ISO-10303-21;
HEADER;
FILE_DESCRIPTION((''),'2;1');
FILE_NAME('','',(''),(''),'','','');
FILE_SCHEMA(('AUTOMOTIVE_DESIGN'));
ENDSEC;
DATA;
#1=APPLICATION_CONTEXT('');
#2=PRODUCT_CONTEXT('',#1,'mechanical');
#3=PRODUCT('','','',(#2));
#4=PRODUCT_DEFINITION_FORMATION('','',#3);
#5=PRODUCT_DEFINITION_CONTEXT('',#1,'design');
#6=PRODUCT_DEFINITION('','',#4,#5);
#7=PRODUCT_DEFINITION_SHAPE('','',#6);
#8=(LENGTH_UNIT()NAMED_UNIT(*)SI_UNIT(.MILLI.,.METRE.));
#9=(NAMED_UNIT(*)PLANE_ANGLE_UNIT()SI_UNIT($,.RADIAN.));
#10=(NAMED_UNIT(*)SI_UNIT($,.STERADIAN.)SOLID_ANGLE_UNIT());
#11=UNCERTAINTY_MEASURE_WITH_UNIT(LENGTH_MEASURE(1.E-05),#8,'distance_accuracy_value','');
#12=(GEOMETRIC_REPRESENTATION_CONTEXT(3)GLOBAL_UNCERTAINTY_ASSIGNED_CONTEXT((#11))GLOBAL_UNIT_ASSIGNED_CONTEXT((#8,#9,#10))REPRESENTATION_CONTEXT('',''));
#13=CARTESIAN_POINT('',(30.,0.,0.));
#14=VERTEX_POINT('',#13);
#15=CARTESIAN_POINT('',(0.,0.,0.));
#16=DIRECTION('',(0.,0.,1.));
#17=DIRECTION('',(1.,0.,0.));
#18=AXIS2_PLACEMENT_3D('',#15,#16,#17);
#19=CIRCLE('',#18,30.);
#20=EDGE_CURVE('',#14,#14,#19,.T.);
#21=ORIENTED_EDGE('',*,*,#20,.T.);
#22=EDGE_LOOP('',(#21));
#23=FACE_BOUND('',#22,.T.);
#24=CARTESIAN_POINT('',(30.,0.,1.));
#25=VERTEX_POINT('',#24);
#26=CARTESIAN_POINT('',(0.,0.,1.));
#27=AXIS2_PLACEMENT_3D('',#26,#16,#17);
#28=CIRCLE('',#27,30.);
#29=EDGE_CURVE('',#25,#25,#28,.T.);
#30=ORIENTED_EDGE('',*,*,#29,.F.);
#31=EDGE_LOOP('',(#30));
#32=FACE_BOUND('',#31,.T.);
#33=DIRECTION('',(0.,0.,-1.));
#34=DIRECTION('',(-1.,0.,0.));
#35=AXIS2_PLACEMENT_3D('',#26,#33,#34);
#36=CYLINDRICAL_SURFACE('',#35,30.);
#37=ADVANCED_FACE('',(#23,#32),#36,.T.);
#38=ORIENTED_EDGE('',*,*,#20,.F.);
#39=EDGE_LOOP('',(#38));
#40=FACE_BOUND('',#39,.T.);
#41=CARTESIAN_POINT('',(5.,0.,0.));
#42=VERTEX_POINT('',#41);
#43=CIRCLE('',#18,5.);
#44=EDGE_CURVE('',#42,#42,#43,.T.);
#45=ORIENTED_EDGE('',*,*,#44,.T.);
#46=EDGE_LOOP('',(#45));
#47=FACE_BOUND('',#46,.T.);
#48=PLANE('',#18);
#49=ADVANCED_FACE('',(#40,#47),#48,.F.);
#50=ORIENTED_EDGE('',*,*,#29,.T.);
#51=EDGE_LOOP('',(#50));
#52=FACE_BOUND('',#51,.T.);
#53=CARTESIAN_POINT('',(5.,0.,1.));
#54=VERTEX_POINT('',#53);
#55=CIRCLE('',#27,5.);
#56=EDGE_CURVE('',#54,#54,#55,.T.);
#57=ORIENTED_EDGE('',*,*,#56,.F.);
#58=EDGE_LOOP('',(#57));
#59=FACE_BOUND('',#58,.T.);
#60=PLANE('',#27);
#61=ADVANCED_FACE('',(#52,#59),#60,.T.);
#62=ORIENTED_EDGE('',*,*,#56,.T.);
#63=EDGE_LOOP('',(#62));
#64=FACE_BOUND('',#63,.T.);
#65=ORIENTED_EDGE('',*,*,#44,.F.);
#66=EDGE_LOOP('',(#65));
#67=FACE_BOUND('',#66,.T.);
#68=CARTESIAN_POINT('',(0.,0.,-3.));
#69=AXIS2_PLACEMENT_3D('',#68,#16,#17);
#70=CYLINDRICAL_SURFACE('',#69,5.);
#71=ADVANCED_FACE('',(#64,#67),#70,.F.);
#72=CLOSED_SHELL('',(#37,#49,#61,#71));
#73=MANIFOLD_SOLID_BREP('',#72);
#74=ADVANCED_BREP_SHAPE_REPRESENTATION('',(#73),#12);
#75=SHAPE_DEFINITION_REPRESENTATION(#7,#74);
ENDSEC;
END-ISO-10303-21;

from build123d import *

# Parameters (mm, degrees)
SKETCH1_R           = 30
BOSS_EXTRUDE1_DEPTH = 1
SKETCH2_R           = 5
CUT_EXTRUDE1_DEPTH  = 4


with BuildPart() as part:
    # Sketch1 → Boss-Extrude1 (new body)
    with BuildSketch(Plane.XY):
        Circle(SKETCH1_R)
    extrude(amount=BOSS_EXTRUDE1_DEPTH)

    # Sketch2 → Cut-Extrude1 (cut)
    with BuildSketch(Plane.XY.offset(1)):
        Circle(SKETCH2_R)
    extrude(amount=-CUT_EXTRUDE1_DEPTH, mode=Mode.SUBTRACT)


solid = part.part
